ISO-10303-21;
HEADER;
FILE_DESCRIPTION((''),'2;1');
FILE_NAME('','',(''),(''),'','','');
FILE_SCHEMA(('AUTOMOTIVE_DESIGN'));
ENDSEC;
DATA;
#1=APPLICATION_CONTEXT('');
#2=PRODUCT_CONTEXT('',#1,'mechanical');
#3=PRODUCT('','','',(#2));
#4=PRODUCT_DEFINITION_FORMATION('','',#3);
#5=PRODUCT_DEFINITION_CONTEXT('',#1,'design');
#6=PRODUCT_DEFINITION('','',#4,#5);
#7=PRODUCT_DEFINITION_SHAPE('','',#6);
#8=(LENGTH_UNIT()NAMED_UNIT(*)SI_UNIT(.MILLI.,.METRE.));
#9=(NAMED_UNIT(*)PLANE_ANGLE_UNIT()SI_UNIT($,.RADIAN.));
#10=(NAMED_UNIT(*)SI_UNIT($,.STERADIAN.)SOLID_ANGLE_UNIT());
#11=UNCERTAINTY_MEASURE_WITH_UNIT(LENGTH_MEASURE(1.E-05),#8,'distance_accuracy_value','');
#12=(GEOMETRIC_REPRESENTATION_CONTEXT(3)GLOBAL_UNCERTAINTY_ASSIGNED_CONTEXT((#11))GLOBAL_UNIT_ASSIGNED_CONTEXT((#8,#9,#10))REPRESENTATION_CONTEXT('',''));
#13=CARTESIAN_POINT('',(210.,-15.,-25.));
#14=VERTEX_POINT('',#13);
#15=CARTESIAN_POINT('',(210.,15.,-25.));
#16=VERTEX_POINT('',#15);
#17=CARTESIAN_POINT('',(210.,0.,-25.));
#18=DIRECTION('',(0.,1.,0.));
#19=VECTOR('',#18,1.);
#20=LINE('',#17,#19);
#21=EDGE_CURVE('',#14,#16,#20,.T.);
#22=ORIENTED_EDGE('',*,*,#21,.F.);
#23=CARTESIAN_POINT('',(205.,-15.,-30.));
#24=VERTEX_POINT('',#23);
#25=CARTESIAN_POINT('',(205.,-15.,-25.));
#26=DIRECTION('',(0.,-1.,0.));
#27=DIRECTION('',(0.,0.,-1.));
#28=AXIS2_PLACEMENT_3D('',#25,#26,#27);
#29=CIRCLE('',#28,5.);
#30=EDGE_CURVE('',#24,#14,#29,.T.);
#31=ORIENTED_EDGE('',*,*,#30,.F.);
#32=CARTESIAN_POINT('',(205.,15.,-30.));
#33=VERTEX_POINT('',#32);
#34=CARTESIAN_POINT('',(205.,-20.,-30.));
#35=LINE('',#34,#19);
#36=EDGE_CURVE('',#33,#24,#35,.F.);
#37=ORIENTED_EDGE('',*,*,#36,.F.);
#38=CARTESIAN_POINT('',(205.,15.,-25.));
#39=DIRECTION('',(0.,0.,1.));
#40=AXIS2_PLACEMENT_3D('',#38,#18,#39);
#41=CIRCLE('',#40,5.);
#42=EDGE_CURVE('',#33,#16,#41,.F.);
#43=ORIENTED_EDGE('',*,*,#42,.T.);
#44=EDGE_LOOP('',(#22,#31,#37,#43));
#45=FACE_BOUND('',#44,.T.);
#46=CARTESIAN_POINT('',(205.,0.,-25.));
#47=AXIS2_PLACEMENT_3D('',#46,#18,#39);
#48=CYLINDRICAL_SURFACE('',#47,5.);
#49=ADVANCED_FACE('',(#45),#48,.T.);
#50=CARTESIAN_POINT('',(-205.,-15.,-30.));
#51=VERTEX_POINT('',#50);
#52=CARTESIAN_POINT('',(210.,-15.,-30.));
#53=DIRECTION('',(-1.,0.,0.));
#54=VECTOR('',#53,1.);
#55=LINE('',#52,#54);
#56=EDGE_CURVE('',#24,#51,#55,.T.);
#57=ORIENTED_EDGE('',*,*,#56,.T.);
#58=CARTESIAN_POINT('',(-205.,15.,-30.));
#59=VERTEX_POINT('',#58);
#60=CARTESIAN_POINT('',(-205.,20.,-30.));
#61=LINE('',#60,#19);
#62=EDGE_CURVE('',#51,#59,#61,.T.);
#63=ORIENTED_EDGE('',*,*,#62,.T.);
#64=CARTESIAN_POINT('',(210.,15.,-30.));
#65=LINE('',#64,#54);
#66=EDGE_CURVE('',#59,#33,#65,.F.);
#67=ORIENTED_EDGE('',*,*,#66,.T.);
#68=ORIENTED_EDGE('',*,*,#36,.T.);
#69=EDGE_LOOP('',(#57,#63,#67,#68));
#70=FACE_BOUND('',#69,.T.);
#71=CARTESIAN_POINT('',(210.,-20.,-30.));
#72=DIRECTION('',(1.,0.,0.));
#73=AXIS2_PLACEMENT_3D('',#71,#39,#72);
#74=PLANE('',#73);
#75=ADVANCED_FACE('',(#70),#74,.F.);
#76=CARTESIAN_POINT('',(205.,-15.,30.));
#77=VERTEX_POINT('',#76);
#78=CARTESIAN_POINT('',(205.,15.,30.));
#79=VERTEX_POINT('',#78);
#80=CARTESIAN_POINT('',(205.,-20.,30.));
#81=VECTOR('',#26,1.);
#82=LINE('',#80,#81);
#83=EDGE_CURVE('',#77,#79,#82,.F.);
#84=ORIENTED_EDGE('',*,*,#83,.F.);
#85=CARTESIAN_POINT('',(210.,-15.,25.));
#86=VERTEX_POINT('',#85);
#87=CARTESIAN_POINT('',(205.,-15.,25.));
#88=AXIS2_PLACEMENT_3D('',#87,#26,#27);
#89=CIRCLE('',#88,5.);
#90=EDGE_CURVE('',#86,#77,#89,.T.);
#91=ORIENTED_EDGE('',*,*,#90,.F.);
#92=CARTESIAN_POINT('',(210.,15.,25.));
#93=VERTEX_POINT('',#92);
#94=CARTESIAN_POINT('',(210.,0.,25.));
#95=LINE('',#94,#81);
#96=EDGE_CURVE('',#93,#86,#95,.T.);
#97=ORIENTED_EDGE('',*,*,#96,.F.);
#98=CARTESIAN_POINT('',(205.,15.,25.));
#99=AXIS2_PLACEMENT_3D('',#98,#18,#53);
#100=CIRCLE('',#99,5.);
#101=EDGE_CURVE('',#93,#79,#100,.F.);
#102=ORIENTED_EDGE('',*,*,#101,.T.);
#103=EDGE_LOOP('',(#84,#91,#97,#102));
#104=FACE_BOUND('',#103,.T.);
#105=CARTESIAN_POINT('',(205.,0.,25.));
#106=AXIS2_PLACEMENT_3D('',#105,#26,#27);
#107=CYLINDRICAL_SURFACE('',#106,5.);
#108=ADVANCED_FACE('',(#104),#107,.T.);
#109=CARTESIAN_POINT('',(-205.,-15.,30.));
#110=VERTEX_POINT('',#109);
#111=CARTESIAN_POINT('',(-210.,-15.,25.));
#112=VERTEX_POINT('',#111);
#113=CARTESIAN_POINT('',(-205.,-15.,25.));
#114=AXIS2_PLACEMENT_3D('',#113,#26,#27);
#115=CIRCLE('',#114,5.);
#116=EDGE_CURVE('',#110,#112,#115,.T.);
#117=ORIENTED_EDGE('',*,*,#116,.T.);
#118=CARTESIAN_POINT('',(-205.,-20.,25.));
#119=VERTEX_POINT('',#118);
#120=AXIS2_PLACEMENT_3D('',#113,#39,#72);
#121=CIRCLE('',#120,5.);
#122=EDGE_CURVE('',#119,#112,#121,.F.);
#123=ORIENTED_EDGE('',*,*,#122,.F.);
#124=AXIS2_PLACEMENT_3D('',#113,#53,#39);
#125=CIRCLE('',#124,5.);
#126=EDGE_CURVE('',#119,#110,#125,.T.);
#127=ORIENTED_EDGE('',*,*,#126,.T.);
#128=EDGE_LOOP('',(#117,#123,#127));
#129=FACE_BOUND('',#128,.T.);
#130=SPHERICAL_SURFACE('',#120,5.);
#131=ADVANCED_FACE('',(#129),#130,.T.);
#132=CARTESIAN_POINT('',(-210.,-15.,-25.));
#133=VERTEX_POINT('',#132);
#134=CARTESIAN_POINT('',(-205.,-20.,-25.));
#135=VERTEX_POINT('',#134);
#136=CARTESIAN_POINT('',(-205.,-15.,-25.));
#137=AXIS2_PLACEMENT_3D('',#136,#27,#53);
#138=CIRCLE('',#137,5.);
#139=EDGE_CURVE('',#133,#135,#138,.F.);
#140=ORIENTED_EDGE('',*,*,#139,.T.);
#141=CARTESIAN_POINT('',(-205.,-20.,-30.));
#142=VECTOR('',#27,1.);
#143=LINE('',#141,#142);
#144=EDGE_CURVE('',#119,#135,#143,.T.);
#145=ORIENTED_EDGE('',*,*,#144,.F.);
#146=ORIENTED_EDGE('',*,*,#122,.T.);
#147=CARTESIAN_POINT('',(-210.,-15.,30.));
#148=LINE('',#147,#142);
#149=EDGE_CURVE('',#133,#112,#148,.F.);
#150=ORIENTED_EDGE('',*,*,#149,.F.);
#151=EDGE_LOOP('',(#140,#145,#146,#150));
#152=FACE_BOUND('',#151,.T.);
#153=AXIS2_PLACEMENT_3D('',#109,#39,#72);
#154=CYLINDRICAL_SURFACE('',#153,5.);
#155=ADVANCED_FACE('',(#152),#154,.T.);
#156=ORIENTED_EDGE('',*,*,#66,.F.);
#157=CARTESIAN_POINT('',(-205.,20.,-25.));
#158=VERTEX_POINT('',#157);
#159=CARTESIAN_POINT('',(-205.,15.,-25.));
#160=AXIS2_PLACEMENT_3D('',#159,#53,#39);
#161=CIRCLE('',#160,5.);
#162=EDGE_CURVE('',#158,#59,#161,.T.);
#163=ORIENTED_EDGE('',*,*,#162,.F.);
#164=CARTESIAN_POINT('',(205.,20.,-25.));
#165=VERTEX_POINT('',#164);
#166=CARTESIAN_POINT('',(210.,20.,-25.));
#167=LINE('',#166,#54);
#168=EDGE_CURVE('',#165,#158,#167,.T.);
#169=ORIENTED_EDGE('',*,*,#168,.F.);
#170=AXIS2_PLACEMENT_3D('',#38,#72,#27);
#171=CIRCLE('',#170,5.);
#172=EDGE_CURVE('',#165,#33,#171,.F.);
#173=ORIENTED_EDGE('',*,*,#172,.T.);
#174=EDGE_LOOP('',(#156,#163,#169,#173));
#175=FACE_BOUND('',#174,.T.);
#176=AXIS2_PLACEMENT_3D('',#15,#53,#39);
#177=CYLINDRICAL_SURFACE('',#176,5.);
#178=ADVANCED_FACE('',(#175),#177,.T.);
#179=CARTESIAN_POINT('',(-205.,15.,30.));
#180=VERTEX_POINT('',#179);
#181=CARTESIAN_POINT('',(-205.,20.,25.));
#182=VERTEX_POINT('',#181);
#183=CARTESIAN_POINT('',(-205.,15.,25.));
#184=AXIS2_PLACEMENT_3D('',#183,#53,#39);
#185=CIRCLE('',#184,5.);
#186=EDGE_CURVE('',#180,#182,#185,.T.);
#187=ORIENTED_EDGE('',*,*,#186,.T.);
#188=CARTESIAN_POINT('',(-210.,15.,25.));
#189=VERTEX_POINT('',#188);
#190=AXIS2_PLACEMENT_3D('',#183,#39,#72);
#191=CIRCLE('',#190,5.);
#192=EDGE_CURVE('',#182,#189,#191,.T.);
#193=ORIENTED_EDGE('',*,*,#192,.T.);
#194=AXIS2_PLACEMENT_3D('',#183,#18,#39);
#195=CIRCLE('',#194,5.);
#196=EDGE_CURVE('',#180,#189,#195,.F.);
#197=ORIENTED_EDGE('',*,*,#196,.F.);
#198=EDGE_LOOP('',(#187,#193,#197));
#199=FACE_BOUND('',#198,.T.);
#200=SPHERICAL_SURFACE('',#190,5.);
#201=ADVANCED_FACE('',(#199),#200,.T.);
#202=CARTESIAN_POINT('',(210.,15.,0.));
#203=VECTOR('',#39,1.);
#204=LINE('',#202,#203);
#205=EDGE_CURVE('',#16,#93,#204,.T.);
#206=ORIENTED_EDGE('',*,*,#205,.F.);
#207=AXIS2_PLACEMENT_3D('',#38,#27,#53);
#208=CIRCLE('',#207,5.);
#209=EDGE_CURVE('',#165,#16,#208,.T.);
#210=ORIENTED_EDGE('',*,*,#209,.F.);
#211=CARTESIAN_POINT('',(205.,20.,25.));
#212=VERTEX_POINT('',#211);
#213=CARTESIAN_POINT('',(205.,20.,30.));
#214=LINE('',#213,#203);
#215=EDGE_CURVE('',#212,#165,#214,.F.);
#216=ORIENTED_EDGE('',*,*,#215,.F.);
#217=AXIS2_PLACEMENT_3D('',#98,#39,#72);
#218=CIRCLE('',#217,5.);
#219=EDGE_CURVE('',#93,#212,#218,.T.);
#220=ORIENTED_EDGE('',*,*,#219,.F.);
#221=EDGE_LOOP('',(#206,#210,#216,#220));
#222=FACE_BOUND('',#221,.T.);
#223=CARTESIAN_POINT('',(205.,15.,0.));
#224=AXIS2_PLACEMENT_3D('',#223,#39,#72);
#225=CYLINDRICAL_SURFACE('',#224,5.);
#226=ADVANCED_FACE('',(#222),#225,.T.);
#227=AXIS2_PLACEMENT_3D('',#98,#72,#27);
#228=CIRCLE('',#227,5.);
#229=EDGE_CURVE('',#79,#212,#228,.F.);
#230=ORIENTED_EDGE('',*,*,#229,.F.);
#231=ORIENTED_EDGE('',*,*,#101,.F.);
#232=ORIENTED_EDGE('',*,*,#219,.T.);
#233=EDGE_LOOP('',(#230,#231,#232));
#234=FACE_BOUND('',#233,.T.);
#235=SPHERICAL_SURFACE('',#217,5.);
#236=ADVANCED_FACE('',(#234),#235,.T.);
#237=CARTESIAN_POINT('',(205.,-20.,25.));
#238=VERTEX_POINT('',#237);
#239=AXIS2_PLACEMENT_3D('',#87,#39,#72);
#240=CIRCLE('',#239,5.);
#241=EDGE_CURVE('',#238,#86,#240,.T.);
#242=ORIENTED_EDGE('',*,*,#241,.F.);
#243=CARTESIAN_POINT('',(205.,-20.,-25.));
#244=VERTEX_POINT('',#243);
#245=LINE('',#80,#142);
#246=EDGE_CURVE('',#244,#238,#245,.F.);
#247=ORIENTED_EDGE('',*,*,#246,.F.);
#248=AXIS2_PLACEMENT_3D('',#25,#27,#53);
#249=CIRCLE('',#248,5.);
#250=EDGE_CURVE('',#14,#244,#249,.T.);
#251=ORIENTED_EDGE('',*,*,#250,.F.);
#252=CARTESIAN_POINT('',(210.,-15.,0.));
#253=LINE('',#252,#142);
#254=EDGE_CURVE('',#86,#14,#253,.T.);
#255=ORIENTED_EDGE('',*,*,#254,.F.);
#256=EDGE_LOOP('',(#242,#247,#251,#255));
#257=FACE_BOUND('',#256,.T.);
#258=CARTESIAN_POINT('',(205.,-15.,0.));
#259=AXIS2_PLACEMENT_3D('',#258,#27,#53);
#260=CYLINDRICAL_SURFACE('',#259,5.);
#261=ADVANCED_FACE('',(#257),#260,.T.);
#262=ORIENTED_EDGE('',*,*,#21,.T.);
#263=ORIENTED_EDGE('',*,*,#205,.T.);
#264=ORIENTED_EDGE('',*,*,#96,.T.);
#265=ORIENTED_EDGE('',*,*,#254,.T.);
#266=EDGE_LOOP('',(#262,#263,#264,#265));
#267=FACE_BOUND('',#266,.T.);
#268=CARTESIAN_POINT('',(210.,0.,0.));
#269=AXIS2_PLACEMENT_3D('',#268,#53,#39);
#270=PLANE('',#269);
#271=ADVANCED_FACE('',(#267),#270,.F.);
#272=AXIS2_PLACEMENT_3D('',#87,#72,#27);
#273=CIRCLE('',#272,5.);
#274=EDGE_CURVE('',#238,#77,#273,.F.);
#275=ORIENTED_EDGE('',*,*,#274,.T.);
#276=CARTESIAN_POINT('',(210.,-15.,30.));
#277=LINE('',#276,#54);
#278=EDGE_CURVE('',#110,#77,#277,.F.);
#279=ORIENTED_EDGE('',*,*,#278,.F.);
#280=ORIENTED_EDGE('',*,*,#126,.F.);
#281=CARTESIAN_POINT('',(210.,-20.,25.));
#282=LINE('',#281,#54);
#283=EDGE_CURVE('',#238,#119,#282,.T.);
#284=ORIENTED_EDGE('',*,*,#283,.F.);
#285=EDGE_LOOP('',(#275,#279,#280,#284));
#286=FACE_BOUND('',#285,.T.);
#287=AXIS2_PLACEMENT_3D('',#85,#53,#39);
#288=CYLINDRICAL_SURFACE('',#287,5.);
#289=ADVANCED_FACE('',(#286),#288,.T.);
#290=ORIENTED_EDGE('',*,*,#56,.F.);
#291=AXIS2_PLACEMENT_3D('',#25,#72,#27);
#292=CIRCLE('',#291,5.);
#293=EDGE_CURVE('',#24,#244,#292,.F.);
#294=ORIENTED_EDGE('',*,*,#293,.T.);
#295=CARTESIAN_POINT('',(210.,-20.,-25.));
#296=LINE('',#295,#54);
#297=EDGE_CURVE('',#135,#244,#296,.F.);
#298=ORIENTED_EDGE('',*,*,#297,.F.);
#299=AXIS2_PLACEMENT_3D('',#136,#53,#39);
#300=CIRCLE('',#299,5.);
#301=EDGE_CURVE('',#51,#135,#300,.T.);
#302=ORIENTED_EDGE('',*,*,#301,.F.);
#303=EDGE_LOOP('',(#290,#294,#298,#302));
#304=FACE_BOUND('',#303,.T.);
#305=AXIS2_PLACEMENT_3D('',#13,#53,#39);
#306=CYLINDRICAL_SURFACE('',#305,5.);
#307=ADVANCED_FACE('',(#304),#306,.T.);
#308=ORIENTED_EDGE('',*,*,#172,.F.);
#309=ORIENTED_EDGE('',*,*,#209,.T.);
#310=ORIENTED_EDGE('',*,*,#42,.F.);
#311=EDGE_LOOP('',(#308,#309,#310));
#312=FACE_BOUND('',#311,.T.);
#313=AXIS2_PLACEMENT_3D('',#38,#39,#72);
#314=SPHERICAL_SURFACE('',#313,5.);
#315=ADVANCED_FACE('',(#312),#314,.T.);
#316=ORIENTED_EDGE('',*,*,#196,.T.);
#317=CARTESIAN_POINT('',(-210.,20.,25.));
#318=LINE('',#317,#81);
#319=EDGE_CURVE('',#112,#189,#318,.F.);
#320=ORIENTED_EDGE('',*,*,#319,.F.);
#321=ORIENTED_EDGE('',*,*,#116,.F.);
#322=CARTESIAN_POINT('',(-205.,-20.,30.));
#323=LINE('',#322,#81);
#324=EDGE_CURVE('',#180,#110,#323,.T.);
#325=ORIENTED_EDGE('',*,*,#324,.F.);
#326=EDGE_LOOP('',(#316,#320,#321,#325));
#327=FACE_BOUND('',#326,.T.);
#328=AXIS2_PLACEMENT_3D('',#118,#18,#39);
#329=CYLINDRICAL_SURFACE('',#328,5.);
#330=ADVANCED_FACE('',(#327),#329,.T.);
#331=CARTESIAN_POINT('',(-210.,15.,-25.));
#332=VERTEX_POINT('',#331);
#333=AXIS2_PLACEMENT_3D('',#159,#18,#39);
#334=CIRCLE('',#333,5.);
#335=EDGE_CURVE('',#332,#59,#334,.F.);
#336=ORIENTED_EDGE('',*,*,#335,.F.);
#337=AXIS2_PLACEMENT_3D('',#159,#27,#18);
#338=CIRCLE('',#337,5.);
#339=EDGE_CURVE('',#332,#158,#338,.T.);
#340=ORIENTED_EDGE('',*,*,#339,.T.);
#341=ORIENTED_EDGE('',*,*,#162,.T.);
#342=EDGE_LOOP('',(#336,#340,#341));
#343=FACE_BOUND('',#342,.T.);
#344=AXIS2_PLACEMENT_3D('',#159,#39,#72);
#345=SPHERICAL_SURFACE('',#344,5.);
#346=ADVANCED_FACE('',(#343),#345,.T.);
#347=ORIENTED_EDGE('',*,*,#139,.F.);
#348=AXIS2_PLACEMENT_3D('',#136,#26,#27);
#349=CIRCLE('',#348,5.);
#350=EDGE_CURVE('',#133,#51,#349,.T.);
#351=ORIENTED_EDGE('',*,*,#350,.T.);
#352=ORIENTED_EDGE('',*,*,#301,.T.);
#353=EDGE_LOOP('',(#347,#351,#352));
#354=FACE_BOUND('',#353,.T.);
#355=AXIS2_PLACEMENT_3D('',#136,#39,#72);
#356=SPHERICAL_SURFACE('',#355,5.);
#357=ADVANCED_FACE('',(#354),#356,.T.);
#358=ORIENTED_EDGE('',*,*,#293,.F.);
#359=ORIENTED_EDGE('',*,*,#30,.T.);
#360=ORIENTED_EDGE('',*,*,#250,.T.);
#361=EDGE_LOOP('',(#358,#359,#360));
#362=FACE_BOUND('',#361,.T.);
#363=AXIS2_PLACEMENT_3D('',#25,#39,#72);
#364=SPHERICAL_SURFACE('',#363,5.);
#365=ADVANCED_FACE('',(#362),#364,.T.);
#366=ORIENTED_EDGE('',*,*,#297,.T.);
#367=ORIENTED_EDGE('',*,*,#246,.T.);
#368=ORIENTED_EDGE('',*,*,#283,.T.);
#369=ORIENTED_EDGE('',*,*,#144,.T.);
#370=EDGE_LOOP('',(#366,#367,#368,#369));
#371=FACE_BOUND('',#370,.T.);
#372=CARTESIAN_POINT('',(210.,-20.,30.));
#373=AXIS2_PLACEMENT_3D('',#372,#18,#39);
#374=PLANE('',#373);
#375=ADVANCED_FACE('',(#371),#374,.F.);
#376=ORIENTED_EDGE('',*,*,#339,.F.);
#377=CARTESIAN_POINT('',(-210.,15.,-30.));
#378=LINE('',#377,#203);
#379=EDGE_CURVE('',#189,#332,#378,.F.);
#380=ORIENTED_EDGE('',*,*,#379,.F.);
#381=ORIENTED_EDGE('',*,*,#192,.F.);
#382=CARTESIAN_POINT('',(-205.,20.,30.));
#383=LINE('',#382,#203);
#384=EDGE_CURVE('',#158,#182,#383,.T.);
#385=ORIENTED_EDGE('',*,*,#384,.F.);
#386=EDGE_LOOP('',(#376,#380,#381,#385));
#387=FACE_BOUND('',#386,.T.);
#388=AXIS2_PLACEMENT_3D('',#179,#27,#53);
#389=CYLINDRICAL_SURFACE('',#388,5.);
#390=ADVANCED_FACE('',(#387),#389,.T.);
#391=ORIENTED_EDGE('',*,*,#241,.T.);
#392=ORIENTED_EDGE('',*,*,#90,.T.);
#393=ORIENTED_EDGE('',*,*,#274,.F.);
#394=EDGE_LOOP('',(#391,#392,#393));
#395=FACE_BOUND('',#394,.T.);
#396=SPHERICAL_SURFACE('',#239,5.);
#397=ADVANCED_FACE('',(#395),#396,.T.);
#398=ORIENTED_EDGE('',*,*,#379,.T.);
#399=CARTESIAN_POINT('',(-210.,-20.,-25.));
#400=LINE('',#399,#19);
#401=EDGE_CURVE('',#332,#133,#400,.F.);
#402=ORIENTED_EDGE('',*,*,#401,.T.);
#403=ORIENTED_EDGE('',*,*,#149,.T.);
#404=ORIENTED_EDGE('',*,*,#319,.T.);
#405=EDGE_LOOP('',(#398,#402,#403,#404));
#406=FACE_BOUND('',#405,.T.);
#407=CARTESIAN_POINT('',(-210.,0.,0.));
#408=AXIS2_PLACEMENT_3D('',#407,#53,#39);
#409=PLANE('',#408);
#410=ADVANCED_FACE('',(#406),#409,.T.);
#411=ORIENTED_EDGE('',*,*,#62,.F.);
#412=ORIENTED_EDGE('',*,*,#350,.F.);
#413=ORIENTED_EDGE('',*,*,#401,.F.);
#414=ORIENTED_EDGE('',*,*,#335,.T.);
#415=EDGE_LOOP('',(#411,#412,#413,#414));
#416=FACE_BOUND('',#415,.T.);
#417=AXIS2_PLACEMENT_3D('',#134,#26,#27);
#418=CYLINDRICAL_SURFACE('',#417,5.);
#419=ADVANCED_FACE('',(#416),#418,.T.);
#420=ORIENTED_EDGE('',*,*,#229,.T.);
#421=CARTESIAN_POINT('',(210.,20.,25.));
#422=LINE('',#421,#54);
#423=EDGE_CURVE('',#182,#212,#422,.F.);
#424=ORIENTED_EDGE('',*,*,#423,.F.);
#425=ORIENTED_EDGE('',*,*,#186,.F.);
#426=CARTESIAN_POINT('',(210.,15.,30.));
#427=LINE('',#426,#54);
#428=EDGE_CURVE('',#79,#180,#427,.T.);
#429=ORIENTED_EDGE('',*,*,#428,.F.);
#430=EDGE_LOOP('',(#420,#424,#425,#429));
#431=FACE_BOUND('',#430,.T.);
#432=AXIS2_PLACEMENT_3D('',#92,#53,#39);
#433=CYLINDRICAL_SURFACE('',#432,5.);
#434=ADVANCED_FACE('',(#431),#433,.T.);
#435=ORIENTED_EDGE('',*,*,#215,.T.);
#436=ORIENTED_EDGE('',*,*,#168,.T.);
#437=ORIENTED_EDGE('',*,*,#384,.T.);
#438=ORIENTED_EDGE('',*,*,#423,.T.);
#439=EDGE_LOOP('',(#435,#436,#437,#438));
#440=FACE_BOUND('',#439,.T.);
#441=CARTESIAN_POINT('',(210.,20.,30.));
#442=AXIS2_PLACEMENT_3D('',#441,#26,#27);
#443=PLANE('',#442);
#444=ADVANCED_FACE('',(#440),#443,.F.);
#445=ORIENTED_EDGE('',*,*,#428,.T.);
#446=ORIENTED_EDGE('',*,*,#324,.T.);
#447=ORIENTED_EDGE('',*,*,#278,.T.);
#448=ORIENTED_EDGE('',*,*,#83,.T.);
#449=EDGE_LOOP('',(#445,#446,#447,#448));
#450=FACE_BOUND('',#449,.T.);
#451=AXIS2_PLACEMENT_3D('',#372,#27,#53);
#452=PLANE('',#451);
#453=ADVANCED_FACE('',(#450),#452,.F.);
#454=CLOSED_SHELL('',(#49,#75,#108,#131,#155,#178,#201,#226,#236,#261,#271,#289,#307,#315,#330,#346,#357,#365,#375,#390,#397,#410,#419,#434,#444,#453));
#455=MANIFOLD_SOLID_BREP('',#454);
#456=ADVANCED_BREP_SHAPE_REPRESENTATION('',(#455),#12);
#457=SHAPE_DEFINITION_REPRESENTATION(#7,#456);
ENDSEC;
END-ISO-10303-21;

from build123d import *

# Parameters (mm, degrees)
SKETCH1_W           = 60
SKETCH1_H           = 40
BOSS_EXTRUDE1_DEPTH = 210
FILLET1_R           = 5


with BuildPart() as part:
    # Sketch1 → Boss-Extrude1 (new, symmetric)
    with BuildSketch(Plane(origin=(0, 0, 0), x_dir=(0, 0, -1), z_dir=(1, 0, 0))):
        Rectangle(SKETCH1_W, SKETCH1_H)
    extrude(amount=BOSS_EXTRUDE1_DEPTH, both=True)

    # Fillet1
    fillet1_edges = [part.edges().sort_by_distance(p)[0] for p in [
        (210, 0, 30),
        (210, -20, 0),
        (210, 0, -30),
        (-210, -20, 0),
        (-210, 0, 30),
        (-210, 20, 0),
        (-210, 0, -30),
        (210, 20, 0),
        (0, -20, -30),
        (0, -20, 30),
        (0, 20, 30),
        (0, 20, -30),
    ]]
    fillet(fillet1_edges, radius=FILLET1_R)


solid = part.part
